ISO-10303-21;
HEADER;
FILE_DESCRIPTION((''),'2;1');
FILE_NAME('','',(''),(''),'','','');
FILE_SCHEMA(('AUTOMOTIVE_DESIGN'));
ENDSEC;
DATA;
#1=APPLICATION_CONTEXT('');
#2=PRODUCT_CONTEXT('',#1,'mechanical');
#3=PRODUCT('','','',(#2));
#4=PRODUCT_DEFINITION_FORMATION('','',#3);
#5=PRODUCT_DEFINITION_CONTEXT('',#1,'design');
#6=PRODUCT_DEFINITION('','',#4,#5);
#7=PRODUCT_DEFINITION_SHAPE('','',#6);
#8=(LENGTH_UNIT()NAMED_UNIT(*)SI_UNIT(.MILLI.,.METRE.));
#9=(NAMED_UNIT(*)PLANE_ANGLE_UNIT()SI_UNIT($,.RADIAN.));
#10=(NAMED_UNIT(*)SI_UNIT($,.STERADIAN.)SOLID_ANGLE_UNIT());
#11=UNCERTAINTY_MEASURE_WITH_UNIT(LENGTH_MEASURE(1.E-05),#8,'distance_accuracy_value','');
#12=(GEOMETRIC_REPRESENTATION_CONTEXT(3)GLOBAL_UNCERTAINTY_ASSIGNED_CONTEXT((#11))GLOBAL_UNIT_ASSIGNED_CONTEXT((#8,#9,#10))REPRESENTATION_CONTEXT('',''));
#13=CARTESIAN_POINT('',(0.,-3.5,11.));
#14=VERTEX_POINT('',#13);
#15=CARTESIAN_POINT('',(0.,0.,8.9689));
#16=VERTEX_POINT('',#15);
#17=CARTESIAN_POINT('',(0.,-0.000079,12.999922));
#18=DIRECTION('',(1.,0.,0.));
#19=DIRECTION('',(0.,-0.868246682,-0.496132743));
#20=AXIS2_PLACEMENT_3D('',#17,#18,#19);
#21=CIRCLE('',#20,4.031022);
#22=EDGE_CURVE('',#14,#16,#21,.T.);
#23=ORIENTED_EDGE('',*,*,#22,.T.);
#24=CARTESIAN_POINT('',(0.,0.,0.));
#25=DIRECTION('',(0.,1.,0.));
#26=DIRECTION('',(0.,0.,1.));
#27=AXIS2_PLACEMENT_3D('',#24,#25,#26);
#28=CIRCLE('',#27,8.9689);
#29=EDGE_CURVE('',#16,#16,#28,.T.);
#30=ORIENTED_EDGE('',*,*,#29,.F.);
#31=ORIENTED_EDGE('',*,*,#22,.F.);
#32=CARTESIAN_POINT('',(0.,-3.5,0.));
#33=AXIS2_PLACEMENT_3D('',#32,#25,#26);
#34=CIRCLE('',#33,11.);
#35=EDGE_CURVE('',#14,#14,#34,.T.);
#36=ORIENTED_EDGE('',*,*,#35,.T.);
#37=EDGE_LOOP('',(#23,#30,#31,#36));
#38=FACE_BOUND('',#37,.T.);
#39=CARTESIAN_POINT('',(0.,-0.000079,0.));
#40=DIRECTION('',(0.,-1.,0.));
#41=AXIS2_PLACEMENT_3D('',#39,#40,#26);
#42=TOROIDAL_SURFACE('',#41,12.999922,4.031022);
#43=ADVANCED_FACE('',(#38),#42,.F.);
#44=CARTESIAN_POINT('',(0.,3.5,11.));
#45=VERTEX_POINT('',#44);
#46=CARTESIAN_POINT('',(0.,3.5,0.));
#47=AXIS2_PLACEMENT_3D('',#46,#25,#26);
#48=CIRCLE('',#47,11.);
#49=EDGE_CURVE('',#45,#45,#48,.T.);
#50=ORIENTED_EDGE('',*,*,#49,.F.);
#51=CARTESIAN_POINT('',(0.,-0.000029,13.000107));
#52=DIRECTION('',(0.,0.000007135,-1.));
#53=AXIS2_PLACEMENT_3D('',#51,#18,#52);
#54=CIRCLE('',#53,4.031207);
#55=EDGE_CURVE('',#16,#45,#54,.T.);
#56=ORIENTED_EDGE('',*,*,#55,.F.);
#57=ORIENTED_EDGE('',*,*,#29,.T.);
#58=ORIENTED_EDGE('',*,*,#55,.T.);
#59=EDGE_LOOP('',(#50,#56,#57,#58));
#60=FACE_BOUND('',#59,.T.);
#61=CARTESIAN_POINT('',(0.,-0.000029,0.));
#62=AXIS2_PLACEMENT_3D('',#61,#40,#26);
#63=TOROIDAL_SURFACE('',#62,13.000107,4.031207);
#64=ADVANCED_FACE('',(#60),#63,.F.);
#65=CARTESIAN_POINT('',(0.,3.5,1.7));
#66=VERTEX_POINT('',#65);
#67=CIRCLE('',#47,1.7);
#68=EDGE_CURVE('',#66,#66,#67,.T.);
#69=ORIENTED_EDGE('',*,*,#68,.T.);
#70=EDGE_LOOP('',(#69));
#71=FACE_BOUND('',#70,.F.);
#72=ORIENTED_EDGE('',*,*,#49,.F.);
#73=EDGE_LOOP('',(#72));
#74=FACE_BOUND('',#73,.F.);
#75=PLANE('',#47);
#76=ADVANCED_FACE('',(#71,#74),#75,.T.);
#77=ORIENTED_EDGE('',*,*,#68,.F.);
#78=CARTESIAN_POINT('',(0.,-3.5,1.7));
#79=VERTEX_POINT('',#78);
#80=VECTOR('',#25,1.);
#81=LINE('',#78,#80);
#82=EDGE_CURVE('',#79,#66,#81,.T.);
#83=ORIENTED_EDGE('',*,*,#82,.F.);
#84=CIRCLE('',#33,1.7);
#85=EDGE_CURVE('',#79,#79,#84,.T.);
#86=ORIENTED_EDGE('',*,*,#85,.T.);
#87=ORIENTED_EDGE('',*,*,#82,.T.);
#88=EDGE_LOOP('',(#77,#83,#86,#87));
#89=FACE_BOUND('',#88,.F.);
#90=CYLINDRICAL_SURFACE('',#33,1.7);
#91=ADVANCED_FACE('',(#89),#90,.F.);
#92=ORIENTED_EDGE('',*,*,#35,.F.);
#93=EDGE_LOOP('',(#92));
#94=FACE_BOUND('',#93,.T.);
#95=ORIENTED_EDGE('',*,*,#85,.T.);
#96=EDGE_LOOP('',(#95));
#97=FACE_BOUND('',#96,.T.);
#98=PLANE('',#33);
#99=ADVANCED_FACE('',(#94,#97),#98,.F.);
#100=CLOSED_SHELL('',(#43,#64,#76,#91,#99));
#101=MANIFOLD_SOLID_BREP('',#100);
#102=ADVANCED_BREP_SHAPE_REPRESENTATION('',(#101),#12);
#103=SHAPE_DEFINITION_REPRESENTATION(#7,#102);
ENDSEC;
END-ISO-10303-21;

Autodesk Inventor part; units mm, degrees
ref_plane "YZ Plane" through (0, 0, 0) normal (1, 0, 0) x (0, 1, 0)
ref_plane "XZ Plane" through (0, 0, 0) normal (0, 1, 0) x (-1, 0, 0)
ref_plane "XY Plane" through (0, 0, 0) normal (0, 0, 1) x (1, 0, 0)
sketch "Sketch1" plane through (0, 0, 0) normal (1, 0, 0) x (0, 1, 0)
  line L0 (0, 0) -> (3.5, 0) construction
  line L1 (3.5, 0) -> (3.5, 1.7) construction
  line L2 (0, 0) -> (0, 13) construction
  arc A0 (0, 8.9689) -> (3.5, 11) centre (0, 13) ccw
  line L3 (0, 0) -> (-3.5, 0) construction
  line L4 (-3.5, 0) -> (-3.5, 1.7) construction
  arc A1 (-3.5, 11) -> (0, 8.9689) centre (0, 13) ccw
  line L5 (-3.5, 1.7) -> (3.5, 1.7)
  line L6 (-3.5, 1.7) -> (-3.5, 11)
  line L7 (3.5, 1.7) -> (3.5, 11)
  dimension "d0" = 7
  dimension "d1" = 13
  dimension "d2" = 1.7
  dimension "d3" = 11
revolve "Revolution1" add sketch "Sketch1" angle 360 about axis through (0, 0, 0) along (0, 1, 0)
properties part number "Polea"
